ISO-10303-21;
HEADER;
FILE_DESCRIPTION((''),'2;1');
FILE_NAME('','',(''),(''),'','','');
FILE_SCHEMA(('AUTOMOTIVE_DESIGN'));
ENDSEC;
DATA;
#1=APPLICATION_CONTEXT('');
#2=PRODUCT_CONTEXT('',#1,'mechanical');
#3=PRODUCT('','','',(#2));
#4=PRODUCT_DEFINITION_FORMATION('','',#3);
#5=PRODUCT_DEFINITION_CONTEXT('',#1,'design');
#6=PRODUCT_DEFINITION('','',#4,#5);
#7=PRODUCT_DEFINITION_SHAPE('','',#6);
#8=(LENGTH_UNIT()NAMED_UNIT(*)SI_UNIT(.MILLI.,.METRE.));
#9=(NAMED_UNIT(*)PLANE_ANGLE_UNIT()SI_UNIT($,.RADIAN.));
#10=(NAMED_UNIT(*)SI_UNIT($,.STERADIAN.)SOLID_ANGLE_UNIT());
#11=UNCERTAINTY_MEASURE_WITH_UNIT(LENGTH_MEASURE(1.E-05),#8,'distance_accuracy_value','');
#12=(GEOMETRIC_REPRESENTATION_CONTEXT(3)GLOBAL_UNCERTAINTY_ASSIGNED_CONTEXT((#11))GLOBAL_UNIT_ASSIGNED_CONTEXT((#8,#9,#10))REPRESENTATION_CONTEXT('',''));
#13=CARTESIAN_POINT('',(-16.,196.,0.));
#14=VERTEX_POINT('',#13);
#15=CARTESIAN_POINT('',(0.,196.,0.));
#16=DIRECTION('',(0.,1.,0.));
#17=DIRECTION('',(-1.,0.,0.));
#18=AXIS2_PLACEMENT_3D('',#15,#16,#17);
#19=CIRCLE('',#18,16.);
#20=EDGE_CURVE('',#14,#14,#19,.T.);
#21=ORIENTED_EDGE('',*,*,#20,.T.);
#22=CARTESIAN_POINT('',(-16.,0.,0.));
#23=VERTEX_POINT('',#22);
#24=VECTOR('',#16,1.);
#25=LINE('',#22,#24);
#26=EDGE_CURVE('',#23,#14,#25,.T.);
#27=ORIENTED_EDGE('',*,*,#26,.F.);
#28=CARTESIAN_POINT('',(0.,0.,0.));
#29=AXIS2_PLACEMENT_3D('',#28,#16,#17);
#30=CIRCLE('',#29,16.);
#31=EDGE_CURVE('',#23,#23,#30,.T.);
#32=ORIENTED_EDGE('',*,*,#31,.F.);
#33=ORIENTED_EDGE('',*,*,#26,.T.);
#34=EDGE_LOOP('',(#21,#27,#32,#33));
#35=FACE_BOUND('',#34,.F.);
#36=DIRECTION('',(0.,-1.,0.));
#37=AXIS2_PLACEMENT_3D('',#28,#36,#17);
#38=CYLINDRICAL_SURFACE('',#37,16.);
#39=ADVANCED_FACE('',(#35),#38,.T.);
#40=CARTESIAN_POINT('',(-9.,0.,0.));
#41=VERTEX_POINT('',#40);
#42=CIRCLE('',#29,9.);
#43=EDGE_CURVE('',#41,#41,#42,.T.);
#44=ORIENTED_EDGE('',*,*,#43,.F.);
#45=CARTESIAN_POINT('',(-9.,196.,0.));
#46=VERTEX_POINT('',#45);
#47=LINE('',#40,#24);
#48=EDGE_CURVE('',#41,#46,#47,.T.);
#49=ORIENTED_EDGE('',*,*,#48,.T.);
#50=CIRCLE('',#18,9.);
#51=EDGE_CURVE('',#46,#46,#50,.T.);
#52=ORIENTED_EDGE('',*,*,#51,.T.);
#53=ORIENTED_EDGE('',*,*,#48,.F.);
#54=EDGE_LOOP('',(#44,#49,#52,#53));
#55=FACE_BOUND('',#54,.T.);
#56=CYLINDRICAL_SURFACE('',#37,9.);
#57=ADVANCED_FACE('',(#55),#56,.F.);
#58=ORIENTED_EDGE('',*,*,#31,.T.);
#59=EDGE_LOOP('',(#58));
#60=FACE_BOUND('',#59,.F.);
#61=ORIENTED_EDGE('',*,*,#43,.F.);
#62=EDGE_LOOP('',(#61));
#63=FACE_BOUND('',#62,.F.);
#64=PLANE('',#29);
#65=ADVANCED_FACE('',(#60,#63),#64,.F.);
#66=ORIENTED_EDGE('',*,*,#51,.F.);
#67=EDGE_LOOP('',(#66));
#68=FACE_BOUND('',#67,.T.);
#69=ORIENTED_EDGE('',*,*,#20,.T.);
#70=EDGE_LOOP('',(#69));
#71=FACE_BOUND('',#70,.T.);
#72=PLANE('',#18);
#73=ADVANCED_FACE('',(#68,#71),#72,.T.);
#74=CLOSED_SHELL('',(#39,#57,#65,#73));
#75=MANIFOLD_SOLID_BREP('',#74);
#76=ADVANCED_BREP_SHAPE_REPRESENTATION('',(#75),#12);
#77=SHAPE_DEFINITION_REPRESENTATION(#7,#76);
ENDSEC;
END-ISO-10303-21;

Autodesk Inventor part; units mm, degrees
ref_plane "YZ Plane" through (0, 0, 0) normal (1, 0, 0) x (0, 1, 0)
ref_plane "XZ Plane" through (0, 0, 0) normal (0, 1, 0) x (-1, 0, 0)
ref_plane "XY Plane" through (0, 0, 0) normal (0, 0, 1) x (1, 0, 0)
sketch "Sketch1" plane through (0, 0, 0) normal (0, 1, 0) x (-1, 0, 0)
  circle A0 centre (0, 0) radius 16
  circle A1 centre (0, 0) radius 9
  dimension "d0" = 32
  dimension "d1" = 18
extrude "Extrusion1" add sketch "Sketch1" along normal blind 196
properties part number "Support" material "PBT Plastic"
